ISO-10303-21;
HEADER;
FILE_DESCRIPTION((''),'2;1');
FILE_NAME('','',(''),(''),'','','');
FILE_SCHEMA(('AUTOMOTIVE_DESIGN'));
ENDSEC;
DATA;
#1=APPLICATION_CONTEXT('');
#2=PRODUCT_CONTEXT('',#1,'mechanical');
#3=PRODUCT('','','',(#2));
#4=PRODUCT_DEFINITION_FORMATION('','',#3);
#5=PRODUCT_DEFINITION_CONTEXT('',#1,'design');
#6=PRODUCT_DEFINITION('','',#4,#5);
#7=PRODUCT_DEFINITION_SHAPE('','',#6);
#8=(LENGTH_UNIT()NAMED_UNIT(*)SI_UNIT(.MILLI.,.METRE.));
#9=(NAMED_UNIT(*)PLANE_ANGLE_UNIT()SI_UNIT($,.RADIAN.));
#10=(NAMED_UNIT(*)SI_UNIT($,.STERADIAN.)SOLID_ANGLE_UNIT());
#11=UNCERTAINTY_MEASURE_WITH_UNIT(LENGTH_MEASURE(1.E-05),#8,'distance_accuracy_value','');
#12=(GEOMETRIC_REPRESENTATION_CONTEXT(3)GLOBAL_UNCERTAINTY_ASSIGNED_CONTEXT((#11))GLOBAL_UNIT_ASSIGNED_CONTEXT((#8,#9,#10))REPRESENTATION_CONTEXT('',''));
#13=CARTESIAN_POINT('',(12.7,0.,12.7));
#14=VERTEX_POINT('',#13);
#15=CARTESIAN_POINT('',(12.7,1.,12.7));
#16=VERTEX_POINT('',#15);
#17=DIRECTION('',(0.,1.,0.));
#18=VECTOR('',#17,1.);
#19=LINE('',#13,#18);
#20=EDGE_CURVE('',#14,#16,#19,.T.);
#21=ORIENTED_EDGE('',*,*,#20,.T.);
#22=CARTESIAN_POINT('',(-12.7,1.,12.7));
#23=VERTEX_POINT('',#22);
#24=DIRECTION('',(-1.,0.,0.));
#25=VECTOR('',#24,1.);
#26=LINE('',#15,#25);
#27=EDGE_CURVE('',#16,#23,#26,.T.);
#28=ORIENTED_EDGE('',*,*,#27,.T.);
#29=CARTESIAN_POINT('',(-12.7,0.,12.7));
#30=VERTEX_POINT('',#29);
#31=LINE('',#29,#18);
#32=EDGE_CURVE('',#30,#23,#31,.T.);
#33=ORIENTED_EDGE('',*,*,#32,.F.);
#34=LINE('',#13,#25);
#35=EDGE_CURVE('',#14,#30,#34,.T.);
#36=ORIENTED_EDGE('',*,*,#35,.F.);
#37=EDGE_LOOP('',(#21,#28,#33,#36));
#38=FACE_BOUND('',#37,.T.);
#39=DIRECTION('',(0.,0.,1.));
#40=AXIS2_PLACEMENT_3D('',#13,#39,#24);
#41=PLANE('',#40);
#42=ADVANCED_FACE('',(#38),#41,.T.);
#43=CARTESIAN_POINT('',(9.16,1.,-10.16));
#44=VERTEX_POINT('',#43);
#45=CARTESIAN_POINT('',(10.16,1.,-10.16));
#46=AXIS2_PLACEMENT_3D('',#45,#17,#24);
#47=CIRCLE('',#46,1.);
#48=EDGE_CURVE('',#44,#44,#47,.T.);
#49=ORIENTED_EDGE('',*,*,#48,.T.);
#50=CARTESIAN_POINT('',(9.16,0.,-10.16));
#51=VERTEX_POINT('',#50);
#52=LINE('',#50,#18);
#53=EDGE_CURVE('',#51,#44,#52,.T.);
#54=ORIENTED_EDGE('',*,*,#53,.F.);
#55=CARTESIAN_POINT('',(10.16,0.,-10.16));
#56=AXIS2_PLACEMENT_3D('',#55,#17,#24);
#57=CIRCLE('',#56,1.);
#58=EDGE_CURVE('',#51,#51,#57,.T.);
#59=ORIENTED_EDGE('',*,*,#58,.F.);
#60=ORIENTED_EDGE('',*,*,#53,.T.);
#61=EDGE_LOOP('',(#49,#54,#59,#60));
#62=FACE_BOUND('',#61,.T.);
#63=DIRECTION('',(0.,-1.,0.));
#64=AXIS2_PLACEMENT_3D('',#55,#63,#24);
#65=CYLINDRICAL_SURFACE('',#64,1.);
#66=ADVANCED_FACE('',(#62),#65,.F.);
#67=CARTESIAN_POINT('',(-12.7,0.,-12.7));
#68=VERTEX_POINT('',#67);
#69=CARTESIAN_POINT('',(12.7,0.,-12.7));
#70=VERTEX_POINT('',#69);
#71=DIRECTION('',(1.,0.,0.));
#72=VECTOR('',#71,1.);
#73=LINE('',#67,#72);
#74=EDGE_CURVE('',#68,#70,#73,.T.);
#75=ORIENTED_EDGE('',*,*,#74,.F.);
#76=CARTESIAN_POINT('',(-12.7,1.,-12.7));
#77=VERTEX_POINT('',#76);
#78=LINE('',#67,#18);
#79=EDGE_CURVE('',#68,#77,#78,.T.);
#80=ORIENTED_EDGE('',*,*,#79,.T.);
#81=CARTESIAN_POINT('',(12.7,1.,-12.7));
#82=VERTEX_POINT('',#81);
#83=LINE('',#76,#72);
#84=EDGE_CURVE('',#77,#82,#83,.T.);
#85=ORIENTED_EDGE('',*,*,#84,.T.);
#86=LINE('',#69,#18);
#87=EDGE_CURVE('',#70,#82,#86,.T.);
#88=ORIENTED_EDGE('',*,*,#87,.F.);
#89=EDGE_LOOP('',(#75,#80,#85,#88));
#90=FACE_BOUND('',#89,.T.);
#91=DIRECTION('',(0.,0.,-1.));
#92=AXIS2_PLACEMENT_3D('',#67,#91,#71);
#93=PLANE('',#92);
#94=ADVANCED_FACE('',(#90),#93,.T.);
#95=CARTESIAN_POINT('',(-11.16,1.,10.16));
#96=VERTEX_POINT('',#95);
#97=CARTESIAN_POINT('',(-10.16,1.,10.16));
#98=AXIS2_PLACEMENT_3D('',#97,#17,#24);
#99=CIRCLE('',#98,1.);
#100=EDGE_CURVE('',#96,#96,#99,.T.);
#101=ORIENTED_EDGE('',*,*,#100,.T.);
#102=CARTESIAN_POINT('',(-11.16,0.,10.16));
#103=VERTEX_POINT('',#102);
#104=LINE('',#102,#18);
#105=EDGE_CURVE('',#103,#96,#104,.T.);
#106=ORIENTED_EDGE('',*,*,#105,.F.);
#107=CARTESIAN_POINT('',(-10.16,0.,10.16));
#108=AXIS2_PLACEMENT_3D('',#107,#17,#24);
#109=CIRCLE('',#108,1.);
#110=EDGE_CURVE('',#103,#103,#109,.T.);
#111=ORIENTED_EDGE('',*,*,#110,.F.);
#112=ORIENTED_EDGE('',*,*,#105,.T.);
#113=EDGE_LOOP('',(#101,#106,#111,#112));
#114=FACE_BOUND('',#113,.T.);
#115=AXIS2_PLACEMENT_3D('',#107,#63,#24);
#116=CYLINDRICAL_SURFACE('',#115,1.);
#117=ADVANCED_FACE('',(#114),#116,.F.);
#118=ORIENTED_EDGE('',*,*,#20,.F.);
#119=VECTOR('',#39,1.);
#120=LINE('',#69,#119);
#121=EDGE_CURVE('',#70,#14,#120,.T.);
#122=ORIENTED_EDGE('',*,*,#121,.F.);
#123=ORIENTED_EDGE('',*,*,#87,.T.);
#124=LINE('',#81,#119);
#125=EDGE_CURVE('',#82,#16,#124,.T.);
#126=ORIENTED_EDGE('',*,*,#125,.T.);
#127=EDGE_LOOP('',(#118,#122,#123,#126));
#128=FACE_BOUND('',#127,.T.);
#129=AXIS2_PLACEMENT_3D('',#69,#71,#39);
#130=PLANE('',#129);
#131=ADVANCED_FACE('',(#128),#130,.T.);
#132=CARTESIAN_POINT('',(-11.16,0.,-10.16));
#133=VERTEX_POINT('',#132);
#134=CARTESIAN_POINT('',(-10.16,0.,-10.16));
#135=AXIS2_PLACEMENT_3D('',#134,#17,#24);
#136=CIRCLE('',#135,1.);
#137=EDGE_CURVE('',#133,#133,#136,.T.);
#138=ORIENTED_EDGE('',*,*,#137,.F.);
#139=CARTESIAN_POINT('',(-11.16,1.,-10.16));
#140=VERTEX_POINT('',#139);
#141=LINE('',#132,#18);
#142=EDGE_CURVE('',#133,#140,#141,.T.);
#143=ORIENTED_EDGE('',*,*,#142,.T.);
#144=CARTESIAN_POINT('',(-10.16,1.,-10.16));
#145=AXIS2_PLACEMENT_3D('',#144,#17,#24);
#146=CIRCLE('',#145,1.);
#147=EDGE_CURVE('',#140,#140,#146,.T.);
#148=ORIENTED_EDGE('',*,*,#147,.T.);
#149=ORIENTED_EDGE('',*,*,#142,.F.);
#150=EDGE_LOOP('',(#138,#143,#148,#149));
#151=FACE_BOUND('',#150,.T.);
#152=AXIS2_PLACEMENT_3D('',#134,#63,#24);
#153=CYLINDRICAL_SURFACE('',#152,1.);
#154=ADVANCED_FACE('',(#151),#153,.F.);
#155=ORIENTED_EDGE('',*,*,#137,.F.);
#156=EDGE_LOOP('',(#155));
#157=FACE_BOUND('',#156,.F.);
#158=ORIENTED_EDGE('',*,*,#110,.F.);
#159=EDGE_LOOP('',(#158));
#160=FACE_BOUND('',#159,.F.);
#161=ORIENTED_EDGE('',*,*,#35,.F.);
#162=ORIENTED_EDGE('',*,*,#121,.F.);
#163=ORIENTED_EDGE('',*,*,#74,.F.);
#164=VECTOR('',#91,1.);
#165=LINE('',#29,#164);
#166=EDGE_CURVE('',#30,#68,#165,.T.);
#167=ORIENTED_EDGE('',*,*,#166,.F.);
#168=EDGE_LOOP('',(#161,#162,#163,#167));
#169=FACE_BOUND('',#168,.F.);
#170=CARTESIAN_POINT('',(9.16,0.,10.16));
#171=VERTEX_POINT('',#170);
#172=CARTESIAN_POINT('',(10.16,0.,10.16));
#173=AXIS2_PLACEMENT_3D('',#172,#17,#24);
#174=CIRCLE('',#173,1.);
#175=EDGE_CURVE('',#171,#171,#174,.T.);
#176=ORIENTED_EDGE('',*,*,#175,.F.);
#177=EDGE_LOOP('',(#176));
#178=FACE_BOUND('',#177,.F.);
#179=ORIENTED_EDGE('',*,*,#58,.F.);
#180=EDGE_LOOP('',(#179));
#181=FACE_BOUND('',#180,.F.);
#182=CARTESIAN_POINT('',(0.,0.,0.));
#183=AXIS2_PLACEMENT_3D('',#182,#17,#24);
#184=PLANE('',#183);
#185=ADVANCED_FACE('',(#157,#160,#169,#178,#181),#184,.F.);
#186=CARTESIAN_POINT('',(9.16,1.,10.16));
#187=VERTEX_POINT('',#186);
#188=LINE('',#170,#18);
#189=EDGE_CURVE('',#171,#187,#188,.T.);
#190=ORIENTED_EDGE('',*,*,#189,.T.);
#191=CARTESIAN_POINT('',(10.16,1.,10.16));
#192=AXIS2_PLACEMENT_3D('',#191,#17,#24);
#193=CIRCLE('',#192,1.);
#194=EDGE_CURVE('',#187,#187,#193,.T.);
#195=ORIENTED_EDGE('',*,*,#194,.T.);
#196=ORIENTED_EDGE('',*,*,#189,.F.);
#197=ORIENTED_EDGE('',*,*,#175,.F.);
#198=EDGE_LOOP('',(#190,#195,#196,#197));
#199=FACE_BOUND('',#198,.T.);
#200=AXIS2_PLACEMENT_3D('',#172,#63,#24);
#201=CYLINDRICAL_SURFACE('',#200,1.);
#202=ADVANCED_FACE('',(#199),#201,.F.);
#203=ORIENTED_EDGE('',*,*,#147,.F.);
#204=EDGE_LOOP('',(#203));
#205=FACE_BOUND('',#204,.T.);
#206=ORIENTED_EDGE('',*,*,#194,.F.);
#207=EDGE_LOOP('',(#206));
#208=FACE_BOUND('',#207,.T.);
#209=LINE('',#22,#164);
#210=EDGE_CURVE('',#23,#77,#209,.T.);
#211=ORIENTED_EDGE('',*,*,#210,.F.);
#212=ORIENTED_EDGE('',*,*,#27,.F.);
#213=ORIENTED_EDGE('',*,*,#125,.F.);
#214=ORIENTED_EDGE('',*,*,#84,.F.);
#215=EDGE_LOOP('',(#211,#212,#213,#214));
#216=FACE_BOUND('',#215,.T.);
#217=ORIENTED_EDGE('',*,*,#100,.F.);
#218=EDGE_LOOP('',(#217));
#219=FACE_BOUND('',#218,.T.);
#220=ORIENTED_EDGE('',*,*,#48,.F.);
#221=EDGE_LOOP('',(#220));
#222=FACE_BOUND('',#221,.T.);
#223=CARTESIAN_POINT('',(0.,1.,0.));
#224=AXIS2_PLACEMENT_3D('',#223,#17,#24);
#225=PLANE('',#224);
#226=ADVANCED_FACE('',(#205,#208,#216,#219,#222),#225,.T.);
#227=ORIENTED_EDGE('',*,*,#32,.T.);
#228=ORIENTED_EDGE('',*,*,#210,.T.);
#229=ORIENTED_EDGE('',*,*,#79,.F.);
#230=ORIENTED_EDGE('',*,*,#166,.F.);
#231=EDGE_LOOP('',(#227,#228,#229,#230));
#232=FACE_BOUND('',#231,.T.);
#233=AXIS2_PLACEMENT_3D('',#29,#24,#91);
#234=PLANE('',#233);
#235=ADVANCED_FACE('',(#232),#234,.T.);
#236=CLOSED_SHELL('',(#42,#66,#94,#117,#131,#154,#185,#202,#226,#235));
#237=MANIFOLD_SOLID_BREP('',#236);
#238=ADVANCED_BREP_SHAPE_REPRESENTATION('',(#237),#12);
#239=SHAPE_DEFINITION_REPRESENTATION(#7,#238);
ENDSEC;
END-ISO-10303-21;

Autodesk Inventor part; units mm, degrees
ref_plane "YZ Plane" through (0, 0, 0) normal (1, 0, 0) x (0, 1, 0)
ref_plane "XZ Plane" through (0, 0, 0) normal (0, 1, 0) x (-1, 0, 0)
ref_plane "XY Plane" through (0, 0, 0) normal (0, 0, 1) x (1, 0, 0)
sketch "Sketch1" plane through (0, 0, 0) normal (0, 1, 0) x (-1, 0, 0)
  line L0 (-12.7, 12.7) -> (12.7, 12.7)
  line L1 (12.7, 12.7) -> (12.7, -12.7)
  line L2 (12.7, -12.7) -> (-12.7, -12.7)
  line L3 (-12.7, -12.7) -> (-12.7, 12.7)
  line L4 (-12.7, 12.7) -> (12.7, -12.7) construction
  line L5 (12.7, 12.7) -> (-12.7, -12.7) construction
  circle A0 centre (10.16, 10.16) radius 1
  line L6 (0, 15.3102) -> (0, -24.4188) construction
  line L7 (16, 0) -> (-15.6009, 0) construction
  circle A1 centre (10.16, -10.16) radius 1
  circle A2 centre (-10.16, 10.16) radius 1
  circle A3 centre (-10.16, -10.16) radius 1
  point P0 (0, 0)
  dimension "d0" = 25.4
  dimension "d1" = 25.4
  dimension "d2" = 2.54
  dimension "d3" = 2.54
extrude "Extrusion1" add sketch "Sketch1" along normal blind 1
properties part number "step_down_Suba"
